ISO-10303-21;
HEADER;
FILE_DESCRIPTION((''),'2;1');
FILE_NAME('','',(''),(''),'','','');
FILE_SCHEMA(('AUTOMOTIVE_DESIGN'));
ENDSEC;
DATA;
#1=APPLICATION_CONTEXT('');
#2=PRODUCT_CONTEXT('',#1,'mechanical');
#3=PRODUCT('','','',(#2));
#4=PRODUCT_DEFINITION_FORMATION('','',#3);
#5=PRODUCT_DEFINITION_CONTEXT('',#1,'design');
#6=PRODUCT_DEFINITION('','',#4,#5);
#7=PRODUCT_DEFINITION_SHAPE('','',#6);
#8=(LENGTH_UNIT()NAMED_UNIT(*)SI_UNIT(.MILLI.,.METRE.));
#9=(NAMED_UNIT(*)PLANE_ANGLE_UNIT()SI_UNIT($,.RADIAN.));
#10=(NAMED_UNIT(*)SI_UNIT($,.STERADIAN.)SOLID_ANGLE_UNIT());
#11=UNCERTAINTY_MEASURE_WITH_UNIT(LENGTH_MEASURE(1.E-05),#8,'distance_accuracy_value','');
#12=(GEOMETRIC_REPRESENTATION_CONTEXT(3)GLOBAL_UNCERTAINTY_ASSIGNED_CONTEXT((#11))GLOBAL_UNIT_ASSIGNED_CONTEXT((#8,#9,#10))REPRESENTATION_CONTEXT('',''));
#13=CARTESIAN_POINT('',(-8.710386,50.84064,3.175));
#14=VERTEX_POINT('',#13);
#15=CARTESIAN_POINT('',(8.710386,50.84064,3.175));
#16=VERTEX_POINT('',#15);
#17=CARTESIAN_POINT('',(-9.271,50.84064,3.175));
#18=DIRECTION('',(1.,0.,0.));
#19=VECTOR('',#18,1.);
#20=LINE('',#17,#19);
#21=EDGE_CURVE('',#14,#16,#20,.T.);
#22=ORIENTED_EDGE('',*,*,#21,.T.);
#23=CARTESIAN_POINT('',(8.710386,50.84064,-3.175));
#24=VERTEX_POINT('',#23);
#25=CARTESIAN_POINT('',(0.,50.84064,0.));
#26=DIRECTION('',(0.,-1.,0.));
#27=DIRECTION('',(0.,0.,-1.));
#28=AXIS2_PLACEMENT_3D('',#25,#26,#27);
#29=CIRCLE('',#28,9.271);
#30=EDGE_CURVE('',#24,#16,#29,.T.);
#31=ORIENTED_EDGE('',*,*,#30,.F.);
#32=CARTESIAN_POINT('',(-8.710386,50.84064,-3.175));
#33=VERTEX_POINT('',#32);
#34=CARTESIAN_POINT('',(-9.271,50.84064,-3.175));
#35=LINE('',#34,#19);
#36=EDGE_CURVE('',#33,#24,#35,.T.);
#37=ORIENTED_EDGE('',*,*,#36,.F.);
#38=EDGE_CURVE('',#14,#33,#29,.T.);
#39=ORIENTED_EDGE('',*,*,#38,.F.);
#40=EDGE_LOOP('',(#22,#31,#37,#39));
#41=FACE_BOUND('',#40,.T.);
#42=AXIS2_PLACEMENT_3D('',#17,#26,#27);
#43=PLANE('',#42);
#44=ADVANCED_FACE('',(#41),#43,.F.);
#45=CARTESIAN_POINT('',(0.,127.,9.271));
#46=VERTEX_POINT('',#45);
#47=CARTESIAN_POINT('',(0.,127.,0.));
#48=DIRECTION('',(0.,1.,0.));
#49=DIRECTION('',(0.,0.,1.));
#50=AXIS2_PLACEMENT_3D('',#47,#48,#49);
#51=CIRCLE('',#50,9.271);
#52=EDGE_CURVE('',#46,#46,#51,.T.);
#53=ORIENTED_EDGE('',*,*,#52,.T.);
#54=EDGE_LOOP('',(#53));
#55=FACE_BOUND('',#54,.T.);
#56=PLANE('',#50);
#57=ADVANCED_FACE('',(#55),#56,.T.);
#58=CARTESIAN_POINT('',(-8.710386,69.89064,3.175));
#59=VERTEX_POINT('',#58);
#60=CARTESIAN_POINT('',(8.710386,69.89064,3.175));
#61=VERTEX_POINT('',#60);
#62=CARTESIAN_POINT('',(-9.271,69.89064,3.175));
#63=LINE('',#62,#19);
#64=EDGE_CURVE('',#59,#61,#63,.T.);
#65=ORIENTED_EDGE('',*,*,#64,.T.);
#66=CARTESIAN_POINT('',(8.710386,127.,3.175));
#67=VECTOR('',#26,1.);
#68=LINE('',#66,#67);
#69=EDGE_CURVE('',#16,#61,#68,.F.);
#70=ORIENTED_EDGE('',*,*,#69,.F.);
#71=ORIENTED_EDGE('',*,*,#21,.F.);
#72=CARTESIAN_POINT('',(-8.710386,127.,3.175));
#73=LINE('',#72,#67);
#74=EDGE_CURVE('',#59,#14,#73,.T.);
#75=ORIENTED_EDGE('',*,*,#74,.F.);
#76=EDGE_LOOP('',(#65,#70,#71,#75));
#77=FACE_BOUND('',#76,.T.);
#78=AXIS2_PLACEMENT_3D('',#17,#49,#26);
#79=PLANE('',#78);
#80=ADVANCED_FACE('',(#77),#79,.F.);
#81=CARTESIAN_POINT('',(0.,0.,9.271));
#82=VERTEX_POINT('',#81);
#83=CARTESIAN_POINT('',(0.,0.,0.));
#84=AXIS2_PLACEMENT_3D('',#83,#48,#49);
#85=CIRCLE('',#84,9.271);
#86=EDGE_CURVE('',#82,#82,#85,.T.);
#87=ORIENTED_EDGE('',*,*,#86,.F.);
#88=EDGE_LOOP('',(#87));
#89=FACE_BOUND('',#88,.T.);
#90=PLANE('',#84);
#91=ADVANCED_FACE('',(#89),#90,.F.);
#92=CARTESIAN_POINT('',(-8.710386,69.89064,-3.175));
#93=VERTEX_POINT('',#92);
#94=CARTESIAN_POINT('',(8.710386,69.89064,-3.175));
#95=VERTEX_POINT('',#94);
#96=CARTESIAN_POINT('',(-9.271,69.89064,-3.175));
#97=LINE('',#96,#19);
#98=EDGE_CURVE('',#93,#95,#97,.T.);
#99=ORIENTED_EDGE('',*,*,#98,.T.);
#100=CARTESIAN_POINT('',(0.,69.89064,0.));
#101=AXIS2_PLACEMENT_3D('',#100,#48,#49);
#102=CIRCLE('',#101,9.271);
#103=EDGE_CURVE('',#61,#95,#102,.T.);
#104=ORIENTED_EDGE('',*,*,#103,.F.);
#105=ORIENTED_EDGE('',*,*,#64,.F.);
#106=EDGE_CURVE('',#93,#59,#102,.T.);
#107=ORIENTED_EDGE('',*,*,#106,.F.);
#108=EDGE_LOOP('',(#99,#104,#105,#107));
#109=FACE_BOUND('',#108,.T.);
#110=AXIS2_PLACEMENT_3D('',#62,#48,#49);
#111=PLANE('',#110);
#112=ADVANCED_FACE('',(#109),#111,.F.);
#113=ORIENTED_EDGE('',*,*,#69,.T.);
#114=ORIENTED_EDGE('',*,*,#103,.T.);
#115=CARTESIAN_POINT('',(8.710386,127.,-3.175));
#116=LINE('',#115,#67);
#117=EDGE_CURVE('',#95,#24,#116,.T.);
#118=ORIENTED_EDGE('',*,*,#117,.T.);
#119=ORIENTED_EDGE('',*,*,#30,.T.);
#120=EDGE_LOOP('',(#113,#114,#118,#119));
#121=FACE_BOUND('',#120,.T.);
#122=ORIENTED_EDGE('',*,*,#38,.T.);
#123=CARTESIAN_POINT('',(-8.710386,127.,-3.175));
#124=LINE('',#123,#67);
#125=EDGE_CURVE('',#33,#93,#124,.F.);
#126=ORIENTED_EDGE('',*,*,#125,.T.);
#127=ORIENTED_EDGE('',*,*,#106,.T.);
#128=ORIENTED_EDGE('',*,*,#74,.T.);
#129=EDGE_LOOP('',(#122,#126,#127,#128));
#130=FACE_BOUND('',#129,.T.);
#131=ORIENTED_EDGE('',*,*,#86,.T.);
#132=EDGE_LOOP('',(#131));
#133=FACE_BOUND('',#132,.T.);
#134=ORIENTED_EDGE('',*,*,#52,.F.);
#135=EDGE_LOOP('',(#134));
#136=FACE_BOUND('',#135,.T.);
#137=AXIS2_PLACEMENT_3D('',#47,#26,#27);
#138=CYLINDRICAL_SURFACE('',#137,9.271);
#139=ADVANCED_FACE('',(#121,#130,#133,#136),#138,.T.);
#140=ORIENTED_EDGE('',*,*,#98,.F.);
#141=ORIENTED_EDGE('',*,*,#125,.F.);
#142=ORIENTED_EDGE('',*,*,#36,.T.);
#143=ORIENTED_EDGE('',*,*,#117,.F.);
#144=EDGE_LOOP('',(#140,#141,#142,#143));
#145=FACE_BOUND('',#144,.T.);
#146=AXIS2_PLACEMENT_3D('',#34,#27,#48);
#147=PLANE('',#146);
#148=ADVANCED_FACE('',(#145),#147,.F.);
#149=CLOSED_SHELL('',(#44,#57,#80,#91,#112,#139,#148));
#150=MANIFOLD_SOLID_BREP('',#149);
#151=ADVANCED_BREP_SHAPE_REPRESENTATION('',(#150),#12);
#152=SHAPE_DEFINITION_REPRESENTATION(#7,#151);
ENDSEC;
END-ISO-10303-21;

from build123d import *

# Parameters (mm, degrees)
SKETCH1_R               = 9.271
BOSS_EXTRUDE1_DEPTH     = 127
CUT_EXTRUDE1_DEPTH      = 128.674989258
CUT_EXTRUDE1_DEPTH_BACK = 128.674989258
SKETCH2_W               = 6.35
SKETCH2_H               = 19.05


with BuildPart() as part:
    # Sketch1 → Boss-Extrude1 (new body)
    with BuildSketch(Plane(origin=(0, 0, 0), x_dir=(1, 0, 0), z_dir=(0, 1, 0))):
        with Locations(Location((0, 0, 0), (0, 0, 270))):
            Circle(SKETCH1_R)
    extrude(amount=BOSS_EXTRUDE1_DEPTH)

    # Sketch2 → Cut-Extrude1 (cut, two sides: drawn at the far end of the back side and taken through both)
    with BuildSketch(Plane(origin=(0, 0, 0), x_dir=(0, 0, -1), z_dir=(1, 0, 0)).offset(-CUT_EXTRUDE1_DEPTH_BACK)):
        with Locations((0, 60.36564)):
            Rectangle(SKETCH2_W, SKETCH2_H)
    extrude(amount=CUT_EXTRUDE1_DEPTH + CUT_EXTRUDE1_DEPTH_BACK, mode=Mode.SUBTRACT)


solid = part.part
